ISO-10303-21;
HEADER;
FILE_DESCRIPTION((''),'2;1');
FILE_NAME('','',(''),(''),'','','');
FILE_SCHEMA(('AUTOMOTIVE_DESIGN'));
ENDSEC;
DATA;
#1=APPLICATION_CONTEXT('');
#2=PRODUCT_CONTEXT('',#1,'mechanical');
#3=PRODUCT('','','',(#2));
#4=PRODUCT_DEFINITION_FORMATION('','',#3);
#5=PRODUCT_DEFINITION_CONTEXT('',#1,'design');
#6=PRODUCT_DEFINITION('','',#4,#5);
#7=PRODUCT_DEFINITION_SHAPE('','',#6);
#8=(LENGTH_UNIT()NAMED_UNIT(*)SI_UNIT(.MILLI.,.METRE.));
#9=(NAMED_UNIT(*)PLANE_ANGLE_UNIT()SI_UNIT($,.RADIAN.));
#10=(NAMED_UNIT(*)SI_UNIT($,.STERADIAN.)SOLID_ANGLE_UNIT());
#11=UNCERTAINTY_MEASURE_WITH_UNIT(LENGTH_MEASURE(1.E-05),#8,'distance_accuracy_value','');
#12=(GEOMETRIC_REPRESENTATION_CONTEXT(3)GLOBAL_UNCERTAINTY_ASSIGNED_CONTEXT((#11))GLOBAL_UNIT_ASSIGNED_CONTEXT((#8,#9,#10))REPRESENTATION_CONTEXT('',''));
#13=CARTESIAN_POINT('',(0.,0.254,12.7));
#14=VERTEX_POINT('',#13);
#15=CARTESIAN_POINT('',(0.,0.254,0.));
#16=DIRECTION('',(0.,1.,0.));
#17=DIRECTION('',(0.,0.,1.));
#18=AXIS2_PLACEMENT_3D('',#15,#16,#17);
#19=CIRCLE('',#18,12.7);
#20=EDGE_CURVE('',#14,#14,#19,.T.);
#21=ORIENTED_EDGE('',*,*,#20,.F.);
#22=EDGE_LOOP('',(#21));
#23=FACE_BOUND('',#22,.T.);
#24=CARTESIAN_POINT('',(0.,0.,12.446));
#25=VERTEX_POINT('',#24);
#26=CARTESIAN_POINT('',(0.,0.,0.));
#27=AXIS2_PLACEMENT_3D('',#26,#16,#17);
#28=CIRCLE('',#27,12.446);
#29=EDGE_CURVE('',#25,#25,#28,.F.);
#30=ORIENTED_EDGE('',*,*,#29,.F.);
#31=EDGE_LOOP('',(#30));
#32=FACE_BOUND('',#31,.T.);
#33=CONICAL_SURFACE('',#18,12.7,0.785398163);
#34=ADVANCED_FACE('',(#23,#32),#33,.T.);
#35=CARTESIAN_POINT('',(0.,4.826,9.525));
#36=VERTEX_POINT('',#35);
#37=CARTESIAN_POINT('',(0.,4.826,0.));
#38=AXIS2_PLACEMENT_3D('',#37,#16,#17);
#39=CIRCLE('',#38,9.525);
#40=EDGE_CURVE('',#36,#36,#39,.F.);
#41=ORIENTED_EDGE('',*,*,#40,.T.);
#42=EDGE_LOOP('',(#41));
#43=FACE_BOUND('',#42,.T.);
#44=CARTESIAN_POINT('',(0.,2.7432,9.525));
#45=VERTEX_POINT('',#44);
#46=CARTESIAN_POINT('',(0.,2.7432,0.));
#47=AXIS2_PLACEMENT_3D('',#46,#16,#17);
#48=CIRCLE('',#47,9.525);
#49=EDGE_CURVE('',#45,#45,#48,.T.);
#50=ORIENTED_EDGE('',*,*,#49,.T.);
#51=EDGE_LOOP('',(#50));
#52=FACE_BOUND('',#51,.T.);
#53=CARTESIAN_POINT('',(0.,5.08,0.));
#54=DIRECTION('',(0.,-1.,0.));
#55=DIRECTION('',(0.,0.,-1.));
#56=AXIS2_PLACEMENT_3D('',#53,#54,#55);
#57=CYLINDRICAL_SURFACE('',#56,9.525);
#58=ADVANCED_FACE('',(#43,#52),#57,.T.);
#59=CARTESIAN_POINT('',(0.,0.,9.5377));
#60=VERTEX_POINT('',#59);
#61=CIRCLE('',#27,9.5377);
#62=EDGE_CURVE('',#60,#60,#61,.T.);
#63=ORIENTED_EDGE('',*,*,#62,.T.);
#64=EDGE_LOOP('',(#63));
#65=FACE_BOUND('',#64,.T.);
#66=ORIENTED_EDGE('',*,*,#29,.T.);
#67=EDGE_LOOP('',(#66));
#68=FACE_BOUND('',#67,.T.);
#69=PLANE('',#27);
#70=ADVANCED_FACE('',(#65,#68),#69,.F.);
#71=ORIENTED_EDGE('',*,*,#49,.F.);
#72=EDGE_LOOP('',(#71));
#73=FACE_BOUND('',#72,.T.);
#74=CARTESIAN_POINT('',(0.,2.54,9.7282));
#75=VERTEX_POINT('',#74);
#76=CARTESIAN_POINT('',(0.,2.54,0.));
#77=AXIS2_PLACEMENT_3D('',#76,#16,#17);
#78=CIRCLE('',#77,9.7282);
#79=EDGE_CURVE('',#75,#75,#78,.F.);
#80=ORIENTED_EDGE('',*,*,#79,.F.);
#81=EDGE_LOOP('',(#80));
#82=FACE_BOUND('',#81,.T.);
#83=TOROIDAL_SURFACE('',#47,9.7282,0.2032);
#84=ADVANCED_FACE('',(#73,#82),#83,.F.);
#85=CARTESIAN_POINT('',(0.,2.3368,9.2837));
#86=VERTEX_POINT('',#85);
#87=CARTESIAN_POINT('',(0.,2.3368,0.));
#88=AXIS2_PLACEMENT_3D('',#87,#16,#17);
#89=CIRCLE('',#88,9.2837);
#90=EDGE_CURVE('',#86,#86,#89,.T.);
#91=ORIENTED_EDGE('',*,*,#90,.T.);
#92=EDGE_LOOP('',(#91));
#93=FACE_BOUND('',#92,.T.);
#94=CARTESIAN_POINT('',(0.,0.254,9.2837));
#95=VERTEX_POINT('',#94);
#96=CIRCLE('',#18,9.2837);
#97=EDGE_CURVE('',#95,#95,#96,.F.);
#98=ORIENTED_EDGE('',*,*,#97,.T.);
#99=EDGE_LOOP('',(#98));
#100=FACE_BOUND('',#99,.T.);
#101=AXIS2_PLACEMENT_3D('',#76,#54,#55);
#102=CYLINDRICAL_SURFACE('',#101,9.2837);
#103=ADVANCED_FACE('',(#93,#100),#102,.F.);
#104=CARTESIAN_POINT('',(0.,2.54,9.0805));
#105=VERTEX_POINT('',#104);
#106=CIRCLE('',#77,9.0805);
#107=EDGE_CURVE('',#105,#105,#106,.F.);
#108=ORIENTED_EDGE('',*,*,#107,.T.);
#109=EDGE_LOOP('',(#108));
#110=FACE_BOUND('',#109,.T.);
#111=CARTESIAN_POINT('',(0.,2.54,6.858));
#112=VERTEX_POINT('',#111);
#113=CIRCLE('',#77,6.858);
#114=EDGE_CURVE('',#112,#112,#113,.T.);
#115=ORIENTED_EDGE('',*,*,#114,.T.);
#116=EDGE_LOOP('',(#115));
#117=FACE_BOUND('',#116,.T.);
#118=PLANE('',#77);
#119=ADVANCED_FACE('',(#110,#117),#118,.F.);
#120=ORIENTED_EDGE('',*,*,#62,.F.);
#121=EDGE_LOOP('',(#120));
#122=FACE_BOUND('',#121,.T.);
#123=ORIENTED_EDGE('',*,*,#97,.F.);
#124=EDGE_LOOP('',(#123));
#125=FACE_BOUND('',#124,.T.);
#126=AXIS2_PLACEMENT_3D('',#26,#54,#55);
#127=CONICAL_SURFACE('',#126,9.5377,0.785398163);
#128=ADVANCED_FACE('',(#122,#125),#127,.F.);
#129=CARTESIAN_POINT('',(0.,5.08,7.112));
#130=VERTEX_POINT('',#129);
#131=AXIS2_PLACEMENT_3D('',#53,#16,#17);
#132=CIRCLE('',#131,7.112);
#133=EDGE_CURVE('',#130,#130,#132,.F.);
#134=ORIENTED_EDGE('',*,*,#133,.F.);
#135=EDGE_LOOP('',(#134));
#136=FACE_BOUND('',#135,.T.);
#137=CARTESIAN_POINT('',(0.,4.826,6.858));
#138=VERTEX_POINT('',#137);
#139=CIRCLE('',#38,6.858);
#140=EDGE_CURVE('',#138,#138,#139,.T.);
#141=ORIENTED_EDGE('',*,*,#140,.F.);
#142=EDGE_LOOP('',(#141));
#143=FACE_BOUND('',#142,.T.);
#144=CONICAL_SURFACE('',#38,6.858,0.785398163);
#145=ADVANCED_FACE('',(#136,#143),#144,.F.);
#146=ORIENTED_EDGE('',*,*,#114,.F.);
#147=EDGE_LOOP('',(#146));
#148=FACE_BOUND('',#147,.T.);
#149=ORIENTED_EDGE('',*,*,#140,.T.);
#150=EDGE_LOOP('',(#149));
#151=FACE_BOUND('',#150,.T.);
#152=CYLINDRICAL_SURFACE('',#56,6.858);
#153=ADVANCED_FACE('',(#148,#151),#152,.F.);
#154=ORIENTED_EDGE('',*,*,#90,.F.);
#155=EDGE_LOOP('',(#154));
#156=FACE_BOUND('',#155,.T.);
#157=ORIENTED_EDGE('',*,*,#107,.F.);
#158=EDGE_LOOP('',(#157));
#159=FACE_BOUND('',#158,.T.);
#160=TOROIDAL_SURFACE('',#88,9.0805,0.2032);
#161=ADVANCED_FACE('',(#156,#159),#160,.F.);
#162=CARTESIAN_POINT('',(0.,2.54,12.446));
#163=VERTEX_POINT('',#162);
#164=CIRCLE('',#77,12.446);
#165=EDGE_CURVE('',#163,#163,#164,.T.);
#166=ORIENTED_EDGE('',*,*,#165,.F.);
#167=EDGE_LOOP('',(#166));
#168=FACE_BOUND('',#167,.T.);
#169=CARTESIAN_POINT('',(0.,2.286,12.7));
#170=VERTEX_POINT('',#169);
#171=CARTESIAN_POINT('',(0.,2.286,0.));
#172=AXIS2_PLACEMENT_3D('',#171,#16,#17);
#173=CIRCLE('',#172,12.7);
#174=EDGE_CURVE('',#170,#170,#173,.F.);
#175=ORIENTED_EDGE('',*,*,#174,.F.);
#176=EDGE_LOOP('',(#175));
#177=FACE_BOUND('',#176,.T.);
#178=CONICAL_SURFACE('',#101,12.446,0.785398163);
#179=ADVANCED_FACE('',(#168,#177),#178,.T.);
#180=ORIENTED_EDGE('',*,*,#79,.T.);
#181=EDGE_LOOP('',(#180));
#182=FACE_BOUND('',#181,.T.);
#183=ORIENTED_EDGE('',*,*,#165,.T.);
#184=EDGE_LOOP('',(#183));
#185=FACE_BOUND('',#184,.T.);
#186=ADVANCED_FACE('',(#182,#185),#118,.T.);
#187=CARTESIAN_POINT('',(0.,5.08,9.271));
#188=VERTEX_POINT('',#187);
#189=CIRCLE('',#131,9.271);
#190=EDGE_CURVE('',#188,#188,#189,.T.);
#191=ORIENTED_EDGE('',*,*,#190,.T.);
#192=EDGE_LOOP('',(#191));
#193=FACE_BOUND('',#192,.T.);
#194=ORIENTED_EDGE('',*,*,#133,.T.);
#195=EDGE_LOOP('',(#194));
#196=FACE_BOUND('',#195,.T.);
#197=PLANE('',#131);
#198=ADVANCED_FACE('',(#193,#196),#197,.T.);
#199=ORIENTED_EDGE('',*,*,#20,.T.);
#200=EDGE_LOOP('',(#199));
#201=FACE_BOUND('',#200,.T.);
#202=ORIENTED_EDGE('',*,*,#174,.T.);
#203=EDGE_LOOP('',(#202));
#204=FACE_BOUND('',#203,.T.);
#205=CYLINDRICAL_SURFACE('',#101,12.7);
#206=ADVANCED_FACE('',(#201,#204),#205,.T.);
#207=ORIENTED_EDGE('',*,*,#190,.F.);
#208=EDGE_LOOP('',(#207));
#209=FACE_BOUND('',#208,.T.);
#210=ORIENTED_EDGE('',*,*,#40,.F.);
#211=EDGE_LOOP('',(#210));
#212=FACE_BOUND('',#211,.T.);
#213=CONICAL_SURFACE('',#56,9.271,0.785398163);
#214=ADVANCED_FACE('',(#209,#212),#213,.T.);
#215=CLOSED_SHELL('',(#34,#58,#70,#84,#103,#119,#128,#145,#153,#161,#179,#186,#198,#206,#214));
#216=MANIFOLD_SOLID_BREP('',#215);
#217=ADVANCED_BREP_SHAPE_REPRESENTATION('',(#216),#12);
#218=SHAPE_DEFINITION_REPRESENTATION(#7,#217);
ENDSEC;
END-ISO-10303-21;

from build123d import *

# Parameters (mm, degrees)
SKETCH2_R           = 12.7
SKETCH2_R_2         = 9.2837
BOSS_EXTRUDE1_DEPTH = 2.54
SKETCH3_R           = 9.525
SKETCH3_R_2         = 6.858
BOSS_EXTRUDE2_DEPTH = 2.54
FILLET1_R           = 0.2032
CHAMFER1_SIZE       = 0.254


with BuildPart() as part:
    # Sketch2 → Boss-Extrude1 (new body)
    with BuildSketch(Plane(origin=(0, 0, 0), x_dir=(1, 0, 0), z_dir=(0, 1, 0))):
        with Locations(Location((0, 0, 0), (0, 0, 270))):
            Circle(SKETCH2_R)
        with Locations(Location((0, 0, 0), (0, 0, 270))):
            Circle(SKETCH2_R_2, mode=Mode.SUBTRACT)
    extrude(amount=BOSS_EXTRUDE1_DEPTH)

    # Sketch3 → Boss-Extrude2 (add)
    with BuildSketch(Plane(origin=(0, 2.54, 0), x_dir=(1, 0, 0), z_dir=(0, 1, 0))):
        with Locations(Location((0, 0, 0), (0, 0, 270))):
            Circle(SKETCH3_R)
        with Locations(Location((0, 0, 0), (0, 0, 270))):
            Circle(SKETCH3_R_2, mode=Mode.SUBTRACT)
    extrude(amount=BOSS_EXTRUDE2_DEPTH)

    # Fillet1
    fillet1_edges = [part.edges().sort_by_distance(p)[0] for p in [
        (0, 2.54, -9.2837),
        (0, 2.54, -9.525),
    ]]
    fillet(fillet1_edges, radius=FILLET1_R)

    # Chamfer1
    chamfer1_edges = [part.edges().sort_by_distance(p)[0] for p in [
        (0, 5.08, -6.858),
        (0, 2.54, -12.7),
        (0, 0, -12.7),
        (0, 0, -9.2837),
        (0, 5.08, -9.525),
    ]]
    chamfer(chamfer1_edges, length=CHAMFER1_SIZE)


solid = part.part
